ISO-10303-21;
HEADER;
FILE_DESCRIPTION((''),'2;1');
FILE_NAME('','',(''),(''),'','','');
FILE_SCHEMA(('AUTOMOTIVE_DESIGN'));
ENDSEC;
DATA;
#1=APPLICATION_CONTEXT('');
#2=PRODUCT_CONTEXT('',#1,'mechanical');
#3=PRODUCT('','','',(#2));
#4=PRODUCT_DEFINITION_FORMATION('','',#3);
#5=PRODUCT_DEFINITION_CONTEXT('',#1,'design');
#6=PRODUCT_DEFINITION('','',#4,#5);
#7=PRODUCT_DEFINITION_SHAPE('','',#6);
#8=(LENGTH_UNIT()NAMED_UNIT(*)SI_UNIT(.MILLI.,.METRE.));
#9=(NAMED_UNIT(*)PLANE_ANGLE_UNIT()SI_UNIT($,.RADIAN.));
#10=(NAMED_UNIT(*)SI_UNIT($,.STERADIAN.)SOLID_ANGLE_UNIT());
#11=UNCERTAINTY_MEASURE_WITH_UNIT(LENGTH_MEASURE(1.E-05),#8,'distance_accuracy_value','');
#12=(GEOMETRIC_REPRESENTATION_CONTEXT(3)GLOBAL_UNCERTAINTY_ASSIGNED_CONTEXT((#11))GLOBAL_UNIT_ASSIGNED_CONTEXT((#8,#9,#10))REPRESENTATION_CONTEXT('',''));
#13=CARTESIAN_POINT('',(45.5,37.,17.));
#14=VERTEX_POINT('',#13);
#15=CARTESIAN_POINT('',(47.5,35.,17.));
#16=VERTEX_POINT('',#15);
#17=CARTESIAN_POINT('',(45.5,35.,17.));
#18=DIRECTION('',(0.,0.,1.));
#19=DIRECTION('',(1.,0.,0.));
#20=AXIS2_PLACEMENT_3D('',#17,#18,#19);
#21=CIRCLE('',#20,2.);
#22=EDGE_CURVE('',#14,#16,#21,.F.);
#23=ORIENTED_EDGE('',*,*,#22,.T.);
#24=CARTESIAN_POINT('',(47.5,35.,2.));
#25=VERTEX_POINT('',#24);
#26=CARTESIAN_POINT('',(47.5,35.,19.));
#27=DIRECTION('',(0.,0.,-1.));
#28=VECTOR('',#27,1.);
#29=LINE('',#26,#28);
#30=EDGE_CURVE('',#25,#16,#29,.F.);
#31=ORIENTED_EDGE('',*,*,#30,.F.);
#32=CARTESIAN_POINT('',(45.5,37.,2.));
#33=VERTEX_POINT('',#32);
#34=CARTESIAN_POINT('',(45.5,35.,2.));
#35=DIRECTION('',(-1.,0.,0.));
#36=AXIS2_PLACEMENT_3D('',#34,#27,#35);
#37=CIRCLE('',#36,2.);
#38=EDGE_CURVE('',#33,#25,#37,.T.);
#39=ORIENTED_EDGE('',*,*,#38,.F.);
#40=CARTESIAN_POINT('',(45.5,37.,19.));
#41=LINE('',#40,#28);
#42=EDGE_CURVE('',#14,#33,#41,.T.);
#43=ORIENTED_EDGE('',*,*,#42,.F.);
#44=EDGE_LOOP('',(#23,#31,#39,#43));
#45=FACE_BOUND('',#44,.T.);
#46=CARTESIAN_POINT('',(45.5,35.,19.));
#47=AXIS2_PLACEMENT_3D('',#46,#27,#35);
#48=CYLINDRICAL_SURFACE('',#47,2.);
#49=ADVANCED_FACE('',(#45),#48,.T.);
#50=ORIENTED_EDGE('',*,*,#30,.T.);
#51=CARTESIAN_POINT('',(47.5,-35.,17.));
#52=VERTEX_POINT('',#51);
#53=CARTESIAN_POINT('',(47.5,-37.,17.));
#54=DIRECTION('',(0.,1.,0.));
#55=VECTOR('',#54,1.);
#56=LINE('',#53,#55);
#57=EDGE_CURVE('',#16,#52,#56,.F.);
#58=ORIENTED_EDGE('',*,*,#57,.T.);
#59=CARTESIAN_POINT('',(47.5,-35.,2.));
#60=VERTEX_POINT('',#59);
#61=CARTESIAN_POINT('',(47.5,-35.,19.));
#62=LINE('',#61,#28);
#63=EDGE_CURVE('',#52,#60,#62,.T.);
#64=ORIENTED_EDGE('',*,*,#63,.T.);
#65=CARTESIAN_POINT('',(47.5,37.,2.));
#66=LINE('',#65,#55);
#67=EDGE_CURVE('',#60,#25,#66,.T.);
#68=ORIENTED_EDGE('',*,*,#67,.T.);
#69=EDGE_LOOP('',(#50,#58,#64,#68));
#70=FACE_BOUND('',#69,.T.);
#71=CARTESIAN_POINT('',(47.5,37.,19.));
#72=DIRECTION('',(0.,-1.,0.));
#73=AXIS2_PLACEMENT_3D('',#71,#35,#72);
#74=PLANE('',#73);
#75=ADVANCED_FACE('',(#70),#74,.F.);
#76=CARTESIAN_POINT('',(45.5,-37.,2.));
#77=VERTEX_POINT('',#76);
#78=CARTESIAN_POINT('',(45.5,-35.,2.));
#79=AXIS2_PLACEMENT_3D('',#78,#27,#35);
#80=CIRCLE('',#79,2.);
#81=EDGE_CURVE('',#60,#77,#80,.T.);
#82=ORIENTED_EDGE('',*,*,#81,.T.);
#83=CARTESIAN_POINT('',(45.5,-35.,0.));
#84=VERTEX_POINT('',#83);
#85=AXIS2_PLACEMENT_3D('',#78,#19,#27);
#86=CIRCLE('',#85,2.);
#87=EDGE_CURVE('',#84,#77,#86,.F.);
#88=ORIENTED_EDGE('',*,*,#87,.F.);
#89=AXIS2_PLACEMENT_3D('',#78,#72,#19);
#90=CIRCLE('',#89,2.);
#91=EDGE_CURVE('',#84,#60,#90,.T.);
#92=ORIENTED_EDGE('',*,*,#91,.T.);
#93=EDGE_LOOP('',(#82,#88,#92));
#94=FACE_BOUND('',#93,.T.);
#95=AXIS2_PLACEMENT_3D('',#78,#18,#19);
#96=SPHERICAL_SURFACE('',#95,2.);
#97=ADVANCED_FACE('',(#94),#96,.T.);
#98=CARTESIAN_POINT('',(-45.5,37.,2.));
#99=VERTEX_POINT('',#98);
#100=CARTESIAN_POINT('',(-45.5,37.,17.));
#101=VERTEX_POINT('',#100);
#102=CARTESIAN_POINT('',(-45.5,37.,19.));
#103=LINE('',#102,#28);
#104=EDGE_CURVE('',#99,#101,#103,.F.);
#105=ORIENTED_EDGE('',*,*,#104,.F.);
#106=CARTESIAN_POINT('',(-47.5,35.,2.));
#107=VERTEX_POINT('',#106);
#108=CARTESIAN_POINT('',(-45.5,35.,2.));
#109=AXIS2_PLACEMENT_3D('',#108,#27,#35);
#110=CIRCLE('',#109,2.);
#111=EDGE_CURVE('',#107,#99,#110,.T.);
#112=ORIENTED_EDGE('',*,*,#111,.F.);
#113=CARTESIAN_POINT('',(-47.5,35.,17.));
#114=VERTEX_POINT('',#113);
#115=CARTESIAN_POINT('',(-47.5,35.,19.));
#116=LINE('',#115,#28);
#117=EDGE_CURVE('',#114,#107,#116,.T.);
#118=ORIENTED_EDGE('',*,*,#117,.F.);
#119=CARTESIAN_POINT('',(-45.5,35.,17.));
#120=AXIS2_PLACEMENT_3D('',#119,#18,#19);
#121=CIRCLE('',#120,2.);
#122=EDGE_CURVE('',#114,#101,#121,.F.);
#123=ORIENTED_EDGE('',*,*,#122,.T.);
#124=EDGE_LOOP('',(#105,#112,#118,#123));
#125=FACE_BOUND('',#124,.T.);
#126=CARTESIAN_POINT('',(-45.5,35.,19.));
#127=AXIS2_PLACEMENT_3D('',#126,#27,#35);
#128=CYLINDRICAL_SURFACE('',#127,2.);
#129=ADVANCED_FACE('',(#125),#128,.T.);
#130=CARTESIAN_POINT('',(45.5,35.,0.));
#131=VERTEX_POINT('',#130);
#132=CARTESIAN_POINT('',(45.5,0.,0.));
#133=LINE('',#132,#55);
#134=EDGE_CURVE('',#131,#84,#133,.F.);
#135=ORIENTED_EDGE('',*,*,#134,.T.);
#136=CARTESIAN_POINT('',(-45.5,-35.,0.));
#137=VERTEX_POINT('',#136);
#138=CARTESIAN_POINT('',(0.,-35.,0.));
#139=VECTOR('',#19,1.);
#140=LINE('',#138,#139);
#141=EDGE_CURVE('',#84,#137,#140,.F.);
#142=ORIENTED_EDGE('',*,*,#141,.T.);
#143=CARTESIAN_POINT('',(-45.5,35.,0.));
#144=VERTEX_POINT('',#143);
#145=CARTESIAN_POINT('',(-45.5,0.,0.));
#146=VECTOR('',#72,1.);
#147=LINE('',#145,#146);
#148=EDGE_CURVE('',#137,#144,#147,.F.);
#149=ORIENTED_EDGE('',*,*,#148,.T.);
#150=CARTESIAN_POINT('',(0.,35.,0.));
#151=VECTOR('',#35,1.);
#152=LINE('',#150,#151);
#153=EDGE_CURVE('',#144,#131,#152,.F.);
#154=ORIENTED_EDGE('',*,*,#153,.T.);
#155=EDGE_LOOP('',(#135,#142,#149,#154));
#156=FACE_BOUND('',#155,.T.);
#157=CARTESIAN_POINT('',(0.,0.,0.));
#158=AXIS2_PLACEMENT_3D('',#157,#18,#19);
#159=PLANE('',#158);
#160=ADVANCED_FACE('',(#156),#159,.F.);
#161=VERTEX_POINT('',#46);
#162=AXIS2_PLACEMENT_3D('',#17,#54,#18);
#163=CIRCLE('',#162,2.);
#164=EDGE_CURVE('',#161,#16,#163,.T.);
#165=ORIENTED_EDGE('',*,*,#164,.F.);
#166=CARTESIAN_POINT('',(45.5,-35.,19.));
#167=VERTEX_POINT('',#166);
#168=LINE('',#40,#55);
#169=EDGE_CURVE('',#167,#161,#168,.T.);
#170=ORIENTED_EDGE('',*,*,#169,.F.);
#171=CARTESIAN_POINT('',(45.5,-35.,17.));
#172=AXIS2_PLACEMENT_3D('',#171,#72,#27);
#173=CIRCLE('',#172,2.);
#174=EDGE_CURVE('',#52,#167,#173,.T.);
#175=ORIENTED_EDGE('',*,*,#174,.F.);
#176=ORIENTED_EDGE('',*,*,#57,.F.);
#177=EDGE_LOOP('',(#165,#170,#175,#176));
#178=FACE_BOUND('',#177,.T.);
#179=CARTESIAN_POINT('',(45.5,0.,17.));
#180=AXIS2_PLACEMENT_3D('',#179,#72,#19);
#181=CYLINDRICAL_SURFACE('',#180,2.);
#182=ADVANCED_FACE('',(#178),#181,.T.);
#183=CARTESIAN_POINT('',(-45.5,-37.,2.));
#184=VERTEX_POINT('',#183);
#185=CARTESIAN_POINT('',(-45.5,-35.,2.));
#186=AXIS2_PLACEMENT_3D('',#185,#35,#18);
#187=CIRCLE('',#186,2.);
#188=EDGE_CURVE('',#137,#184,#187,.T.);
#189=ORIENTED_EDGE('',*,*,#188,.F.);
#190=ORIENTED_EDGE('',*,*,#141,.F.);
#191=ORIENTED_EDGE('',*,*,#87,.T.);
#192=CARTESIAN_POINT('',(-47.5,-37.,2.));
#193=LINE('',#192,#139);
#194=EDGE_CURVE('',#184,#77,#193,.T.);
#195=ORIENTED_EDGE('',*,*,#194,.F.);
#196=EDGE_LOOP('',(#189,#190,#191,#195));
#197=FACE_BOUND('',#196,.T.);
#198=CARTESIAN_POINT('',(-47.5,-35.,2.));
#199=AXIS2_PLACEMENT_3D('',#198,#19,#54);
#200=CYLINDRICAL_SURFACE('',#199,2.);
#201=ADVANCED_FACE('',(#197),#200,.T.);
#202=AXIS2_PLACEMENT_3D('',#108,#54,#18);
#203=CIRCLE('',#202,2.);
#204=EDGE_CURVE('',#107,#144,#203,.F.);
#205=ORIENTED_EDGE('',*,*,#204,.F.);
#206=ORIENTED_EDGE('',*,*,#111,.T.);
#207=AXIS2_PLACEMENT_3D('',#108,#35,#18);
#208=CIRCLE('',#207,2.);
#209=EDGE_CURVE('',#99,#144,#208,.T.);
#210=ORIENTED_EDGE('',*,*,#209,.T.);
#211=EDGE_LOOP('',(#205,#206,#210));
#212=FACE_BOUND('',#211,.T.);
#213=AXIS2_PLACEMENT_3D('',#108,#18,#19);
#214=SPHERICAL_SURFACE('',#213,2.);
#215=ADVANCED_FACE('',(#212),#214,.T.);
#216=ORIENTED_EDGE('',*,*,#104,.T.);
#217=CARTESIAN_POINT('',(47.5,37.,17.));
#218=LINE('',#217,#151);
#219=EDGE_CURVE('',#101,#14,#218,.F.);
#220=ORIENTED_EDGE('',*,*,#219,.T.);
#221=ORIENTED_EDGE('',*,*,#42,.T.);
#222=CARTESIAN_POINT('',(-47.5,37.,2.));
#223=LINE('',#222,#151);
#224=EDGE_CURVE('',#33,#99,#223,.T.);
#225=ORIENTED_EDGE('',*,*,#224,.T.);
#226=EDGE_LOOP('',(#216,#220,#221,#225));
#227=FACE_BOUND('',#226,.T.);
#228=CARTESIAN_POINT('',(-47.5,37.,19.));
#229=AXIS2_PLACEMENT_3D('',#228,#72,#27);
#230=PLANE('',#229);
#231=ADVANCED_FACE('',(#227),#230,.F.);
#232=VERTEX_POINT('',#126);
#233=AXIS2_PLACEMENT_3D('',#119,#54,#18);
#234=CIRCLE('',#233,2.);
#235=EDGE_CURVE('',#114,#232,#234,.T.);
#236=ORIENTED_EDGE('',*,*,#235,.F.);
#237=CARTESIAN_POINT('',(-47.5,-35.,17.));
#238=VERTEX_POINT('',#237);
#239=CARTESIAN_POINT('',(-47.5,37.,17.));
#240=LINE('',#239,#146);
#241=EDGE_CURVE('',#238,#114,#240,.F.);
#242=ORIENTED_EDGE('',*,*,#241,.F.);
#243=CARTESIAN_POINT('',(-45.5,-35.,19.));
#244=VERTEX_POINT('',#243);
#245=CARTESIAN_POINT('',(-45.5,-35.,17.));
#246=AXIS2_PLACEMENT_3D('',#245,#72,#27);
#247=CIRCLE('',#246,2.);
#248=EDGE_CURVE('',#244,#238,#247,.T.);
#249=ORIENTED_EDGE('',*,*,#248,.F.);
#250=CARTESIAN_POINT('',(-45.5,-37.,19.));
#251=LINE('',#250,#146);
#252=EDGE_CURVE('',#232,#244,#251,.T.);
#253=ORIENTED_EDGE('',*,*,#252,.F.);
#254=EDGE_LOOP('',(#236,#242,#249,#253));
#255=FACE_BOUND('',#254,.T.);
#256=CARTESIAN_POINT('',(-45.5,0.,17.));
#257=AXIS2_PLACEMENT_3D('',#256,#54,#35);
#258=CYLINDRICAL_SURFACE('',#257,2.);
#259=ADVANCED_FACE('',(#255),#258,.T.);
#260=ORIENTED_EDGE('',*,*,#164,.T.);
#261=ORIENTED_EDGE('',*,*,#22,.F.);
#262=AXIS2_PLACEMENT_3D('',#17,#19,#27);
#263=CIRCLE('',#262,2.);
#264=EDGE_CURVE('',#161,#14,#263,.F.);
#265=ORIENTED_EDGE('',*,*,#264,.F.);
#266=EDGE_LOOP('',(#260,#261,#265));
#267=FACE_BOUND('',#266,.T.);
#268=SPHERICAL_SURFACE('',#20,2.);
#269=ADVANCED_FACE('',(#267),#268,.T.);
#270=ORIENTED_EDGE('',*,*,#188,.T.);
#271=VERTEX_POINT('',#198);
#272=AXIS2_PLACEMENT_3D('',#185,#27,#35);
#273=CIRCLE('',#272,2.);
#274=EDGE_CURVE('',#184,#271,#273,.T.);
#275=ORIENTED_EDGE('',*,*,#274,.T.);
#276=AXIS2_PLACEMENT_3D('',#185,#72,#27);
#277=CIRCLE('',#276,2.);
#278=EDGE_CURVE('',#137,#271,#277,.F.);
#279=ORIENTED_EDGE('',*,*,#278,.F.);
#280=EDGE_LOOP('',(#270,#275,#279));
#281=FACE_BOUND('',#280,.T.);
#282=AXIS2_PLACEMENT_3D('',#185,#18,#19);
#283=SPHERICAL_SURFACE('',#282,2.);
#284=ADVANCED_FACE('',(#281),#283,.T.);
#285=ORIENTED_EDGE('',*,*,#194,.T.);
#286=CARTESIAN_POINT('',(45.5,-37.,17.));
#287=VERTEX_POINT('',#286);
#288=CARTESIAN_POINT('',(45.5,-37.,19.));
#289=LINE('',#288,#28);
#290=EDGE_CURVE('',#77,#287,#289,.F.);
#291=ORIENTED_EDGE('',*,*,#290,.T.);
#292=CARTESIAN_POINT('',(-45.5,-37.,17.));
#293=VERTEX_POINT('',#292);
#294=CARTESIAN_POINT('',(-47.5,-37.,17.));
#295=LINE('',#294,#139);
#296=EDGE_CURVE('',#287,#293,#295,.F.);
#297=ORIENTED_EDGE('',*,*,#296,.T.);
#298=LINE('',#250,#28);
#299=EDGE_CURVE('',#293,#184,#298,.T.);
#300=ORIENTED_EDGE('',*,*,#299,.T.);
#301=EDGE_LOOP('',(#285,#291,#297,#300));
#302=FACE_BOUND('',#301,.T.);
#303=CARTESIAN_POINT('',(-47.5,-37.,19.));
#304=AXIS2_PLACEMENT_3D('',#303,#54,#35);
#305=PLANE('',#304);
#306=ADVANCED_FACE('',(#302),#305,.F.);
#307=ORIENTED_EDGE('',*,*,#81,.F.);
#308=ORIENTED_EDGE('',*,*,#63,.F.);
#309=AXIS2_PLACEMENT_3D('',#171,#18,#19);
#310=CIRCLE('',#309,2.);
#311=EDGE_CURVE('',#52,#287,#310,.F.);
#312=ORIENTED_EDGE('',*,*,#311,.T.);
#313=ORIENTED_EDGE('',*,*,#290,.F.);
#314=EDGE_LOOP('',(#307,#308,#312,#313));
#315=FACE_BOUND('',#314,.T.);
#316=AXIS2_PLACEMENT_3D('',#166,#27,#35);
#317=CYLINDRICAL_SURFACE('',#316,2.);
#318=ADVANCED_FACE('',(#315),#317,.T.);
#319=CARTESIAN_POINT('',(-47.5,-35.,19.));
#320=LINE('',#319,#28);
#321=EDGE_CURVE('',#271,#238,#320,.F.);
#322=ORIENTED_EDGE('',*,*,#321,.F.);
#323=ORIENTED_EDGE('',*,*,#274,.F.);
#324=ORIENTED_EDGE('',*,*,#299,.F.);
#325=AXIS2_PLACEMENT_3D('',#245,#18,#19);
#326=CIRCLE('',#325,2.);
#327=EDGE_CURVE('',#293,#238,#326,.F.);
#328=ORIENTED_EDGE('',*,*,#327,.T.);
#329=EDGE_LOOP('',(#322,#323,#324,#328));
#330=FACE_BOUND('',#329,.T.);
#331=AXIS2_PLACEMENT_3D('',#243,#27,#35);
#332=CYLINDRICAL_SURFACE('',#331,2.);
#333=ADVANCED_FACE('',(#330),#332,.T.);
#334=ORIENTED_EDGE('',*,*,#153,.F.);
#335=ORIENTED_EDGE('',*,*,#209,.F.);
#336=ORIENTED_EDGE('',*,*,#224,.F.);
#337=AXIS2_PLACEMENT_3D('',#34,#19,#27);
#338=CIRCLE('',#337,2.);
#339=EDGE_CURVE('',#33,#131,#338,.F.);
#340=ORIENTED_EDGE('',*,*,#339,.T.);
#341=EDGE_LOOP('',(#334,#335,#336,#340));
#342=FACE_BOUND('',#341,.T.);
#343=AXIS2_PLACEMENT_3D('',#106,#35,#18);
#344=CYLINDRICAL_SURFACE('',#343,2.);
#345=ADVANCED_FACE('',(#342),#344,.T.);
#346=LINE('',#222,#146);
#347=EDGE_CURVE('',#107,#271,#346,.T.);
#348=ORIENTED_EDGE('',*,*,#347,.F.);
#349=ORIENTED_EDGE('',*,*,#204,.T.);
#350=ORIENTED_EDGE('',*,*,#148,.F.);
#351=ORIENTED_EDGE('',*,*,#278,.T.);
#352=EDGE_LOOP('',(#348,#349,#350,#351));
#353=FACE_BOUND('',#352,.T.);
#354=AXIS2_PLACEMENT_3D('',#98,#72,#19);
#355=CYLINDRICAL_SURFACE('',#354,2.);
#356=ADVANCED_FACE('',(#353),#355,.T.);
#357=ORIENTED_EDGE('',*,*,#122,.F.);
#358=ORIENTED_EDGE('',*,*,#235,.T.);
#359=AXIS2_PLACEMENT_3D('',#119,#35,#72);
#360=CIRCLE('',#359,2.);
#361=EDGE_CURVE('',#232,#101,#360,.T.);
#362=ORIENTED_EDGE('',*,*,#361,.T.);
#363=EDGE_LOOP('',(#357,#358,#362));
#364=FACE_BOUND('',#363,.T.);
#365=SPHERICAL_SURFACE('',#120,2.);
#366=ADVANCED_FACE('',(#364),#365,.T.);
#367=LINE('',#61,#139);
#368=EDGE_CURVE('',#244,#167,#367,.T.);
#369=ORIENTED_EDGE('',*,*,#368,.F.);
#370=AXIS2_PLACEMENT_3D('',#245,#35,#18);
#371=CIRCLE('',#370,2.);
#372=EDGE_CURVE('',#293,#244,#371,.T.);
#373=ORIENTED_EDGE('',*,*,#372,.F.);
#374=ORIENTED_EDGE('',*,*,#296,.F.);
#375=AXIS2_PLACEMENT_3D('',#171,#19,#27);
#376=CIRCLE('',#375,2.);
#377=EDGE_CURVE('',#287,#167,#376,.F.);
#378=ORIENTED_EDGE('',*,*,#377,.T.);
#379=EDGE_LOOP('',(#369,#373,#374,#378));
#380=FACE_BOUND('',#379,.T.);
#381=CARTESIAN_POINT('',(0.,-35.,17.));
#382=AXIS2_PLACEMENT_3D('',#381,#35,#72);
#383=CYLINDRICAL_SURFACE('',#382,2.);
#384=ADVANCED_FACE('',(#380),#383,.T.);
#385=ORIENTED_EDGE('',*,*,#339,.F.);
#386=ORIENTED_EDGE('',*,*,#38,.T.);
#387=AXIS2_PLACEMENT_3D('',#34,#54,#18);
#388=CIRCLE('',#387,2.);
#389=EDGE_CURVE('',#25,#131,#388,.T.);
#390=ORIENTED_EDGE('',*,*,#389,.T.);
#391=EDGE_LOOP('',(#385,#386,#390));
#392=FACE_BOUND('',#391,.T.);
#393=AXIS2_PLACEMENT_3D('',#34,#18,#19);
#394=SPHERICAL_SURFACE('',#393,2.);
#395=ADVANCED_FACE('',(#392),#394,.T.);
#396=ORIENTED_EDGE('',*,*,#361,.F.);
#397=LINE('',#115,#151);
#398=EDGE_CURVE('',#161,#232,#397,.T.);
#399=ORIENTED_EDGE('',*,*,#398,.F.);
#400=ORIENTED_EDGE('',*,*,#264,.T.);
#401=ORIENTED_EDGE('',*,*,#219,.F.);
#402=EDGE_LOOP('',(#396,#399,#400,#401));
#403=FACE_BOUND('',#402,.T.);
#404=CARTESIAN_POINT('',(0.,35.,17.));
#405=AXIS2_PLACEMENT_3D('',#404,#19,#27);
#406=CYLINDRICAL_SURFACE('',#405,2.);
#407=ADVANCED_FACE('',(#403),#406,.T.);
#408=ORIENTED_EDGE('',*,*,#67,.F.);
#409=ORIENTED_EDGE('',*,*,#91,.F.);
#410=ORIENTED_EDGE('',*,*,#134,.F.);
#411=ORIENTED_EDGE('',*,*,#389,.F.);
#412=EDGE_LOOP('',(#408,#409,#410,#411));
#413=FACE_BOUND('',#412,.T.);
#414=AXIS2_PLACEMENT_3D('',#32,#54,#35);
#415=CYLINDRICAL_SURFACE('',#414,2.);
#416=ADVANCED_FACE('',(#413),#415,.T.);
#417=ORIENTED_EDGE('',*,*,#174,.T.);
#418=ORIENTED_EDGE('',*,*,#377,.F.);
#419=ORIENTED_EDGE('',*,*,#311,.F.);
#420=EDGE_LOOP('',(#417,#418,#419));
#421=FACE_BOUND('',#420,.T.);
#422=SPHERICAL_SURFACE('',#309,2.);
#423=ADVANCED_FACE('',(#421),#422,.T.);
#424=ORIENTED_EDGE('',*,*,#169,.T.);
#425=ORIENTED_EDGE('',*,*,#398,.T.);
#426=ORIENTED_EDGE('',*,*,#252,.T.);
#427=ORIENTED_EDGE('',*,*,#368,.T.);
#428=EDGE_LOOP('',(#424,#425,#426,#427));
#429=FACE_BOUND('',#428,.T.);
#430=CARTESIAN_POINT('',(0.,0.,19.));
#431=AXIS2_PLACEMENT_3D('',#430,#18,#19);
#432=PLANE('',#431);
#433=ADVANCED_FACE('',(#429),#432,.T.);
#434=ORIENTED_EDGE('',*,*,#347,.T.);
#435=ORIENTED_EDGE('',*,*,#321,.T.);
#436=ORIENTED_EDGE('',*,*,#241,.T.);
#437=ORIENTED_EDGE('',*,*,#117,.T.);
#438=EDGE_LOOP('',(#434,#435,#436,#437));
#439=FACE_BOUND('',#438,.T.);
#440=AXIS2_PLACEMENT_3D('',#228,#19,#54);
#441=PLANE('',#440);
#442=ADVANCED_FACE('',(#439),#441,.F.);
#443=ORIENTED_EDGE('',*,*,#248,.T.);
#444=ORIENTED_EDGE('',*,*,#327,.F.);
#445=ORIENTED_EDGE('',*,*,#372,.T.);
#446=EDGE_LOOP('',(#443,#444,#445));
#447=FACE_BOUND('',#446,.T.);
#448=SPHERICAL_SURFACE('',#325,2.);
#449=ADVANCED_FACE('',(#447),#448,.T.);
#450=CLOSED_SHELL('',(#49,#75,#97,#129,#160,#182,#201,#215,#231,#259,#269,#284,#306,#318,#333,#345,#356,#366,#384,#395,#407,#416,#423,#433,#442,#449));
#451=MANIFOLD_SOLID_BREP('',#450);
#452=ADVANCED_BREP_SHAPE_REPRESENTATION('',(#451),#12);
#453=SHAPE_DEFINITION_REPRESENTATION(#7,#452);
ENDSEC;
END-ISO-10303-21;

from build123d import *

# Parameters (mm, degrees)
SKETCH_2_W      = 95
SKETCH_2_H      = 74
EXTRUDE_2_DEPTH = 19
FILLET_1_R      = 2


with BuildPart() as part:
    # 草图2 → 凸台-拉伸2 (new body)
    with BuildSketch(Plane.XY):
        Rectangle(SKETCH_2_W, SKETCH_2_H)
    extrude(amount=EXTRUDE_2_DEPTH)

    # 圆角1
    fillet_1_edges = [part.edges().sort_by_distance(p)[0] for p in [
        (47.5, 0, 19),
        (0, 37, 19),
        (-47.5, 0, 19),
        (0, 37, 0),
        (47.5, 0, 0),
        (0, -37, 0),
        (-47.5, 0, 0),
        (-47.5, 37, 9.5),
        (47.5, 37, 9.5),
        (47.5, -37, 9.5),
        (-47.5, -37, 9.5),
        (0, -37, 19),
    ]]
    fillet(fillet_1_edges, radius=FILLET_1_R)


solid = part.part
